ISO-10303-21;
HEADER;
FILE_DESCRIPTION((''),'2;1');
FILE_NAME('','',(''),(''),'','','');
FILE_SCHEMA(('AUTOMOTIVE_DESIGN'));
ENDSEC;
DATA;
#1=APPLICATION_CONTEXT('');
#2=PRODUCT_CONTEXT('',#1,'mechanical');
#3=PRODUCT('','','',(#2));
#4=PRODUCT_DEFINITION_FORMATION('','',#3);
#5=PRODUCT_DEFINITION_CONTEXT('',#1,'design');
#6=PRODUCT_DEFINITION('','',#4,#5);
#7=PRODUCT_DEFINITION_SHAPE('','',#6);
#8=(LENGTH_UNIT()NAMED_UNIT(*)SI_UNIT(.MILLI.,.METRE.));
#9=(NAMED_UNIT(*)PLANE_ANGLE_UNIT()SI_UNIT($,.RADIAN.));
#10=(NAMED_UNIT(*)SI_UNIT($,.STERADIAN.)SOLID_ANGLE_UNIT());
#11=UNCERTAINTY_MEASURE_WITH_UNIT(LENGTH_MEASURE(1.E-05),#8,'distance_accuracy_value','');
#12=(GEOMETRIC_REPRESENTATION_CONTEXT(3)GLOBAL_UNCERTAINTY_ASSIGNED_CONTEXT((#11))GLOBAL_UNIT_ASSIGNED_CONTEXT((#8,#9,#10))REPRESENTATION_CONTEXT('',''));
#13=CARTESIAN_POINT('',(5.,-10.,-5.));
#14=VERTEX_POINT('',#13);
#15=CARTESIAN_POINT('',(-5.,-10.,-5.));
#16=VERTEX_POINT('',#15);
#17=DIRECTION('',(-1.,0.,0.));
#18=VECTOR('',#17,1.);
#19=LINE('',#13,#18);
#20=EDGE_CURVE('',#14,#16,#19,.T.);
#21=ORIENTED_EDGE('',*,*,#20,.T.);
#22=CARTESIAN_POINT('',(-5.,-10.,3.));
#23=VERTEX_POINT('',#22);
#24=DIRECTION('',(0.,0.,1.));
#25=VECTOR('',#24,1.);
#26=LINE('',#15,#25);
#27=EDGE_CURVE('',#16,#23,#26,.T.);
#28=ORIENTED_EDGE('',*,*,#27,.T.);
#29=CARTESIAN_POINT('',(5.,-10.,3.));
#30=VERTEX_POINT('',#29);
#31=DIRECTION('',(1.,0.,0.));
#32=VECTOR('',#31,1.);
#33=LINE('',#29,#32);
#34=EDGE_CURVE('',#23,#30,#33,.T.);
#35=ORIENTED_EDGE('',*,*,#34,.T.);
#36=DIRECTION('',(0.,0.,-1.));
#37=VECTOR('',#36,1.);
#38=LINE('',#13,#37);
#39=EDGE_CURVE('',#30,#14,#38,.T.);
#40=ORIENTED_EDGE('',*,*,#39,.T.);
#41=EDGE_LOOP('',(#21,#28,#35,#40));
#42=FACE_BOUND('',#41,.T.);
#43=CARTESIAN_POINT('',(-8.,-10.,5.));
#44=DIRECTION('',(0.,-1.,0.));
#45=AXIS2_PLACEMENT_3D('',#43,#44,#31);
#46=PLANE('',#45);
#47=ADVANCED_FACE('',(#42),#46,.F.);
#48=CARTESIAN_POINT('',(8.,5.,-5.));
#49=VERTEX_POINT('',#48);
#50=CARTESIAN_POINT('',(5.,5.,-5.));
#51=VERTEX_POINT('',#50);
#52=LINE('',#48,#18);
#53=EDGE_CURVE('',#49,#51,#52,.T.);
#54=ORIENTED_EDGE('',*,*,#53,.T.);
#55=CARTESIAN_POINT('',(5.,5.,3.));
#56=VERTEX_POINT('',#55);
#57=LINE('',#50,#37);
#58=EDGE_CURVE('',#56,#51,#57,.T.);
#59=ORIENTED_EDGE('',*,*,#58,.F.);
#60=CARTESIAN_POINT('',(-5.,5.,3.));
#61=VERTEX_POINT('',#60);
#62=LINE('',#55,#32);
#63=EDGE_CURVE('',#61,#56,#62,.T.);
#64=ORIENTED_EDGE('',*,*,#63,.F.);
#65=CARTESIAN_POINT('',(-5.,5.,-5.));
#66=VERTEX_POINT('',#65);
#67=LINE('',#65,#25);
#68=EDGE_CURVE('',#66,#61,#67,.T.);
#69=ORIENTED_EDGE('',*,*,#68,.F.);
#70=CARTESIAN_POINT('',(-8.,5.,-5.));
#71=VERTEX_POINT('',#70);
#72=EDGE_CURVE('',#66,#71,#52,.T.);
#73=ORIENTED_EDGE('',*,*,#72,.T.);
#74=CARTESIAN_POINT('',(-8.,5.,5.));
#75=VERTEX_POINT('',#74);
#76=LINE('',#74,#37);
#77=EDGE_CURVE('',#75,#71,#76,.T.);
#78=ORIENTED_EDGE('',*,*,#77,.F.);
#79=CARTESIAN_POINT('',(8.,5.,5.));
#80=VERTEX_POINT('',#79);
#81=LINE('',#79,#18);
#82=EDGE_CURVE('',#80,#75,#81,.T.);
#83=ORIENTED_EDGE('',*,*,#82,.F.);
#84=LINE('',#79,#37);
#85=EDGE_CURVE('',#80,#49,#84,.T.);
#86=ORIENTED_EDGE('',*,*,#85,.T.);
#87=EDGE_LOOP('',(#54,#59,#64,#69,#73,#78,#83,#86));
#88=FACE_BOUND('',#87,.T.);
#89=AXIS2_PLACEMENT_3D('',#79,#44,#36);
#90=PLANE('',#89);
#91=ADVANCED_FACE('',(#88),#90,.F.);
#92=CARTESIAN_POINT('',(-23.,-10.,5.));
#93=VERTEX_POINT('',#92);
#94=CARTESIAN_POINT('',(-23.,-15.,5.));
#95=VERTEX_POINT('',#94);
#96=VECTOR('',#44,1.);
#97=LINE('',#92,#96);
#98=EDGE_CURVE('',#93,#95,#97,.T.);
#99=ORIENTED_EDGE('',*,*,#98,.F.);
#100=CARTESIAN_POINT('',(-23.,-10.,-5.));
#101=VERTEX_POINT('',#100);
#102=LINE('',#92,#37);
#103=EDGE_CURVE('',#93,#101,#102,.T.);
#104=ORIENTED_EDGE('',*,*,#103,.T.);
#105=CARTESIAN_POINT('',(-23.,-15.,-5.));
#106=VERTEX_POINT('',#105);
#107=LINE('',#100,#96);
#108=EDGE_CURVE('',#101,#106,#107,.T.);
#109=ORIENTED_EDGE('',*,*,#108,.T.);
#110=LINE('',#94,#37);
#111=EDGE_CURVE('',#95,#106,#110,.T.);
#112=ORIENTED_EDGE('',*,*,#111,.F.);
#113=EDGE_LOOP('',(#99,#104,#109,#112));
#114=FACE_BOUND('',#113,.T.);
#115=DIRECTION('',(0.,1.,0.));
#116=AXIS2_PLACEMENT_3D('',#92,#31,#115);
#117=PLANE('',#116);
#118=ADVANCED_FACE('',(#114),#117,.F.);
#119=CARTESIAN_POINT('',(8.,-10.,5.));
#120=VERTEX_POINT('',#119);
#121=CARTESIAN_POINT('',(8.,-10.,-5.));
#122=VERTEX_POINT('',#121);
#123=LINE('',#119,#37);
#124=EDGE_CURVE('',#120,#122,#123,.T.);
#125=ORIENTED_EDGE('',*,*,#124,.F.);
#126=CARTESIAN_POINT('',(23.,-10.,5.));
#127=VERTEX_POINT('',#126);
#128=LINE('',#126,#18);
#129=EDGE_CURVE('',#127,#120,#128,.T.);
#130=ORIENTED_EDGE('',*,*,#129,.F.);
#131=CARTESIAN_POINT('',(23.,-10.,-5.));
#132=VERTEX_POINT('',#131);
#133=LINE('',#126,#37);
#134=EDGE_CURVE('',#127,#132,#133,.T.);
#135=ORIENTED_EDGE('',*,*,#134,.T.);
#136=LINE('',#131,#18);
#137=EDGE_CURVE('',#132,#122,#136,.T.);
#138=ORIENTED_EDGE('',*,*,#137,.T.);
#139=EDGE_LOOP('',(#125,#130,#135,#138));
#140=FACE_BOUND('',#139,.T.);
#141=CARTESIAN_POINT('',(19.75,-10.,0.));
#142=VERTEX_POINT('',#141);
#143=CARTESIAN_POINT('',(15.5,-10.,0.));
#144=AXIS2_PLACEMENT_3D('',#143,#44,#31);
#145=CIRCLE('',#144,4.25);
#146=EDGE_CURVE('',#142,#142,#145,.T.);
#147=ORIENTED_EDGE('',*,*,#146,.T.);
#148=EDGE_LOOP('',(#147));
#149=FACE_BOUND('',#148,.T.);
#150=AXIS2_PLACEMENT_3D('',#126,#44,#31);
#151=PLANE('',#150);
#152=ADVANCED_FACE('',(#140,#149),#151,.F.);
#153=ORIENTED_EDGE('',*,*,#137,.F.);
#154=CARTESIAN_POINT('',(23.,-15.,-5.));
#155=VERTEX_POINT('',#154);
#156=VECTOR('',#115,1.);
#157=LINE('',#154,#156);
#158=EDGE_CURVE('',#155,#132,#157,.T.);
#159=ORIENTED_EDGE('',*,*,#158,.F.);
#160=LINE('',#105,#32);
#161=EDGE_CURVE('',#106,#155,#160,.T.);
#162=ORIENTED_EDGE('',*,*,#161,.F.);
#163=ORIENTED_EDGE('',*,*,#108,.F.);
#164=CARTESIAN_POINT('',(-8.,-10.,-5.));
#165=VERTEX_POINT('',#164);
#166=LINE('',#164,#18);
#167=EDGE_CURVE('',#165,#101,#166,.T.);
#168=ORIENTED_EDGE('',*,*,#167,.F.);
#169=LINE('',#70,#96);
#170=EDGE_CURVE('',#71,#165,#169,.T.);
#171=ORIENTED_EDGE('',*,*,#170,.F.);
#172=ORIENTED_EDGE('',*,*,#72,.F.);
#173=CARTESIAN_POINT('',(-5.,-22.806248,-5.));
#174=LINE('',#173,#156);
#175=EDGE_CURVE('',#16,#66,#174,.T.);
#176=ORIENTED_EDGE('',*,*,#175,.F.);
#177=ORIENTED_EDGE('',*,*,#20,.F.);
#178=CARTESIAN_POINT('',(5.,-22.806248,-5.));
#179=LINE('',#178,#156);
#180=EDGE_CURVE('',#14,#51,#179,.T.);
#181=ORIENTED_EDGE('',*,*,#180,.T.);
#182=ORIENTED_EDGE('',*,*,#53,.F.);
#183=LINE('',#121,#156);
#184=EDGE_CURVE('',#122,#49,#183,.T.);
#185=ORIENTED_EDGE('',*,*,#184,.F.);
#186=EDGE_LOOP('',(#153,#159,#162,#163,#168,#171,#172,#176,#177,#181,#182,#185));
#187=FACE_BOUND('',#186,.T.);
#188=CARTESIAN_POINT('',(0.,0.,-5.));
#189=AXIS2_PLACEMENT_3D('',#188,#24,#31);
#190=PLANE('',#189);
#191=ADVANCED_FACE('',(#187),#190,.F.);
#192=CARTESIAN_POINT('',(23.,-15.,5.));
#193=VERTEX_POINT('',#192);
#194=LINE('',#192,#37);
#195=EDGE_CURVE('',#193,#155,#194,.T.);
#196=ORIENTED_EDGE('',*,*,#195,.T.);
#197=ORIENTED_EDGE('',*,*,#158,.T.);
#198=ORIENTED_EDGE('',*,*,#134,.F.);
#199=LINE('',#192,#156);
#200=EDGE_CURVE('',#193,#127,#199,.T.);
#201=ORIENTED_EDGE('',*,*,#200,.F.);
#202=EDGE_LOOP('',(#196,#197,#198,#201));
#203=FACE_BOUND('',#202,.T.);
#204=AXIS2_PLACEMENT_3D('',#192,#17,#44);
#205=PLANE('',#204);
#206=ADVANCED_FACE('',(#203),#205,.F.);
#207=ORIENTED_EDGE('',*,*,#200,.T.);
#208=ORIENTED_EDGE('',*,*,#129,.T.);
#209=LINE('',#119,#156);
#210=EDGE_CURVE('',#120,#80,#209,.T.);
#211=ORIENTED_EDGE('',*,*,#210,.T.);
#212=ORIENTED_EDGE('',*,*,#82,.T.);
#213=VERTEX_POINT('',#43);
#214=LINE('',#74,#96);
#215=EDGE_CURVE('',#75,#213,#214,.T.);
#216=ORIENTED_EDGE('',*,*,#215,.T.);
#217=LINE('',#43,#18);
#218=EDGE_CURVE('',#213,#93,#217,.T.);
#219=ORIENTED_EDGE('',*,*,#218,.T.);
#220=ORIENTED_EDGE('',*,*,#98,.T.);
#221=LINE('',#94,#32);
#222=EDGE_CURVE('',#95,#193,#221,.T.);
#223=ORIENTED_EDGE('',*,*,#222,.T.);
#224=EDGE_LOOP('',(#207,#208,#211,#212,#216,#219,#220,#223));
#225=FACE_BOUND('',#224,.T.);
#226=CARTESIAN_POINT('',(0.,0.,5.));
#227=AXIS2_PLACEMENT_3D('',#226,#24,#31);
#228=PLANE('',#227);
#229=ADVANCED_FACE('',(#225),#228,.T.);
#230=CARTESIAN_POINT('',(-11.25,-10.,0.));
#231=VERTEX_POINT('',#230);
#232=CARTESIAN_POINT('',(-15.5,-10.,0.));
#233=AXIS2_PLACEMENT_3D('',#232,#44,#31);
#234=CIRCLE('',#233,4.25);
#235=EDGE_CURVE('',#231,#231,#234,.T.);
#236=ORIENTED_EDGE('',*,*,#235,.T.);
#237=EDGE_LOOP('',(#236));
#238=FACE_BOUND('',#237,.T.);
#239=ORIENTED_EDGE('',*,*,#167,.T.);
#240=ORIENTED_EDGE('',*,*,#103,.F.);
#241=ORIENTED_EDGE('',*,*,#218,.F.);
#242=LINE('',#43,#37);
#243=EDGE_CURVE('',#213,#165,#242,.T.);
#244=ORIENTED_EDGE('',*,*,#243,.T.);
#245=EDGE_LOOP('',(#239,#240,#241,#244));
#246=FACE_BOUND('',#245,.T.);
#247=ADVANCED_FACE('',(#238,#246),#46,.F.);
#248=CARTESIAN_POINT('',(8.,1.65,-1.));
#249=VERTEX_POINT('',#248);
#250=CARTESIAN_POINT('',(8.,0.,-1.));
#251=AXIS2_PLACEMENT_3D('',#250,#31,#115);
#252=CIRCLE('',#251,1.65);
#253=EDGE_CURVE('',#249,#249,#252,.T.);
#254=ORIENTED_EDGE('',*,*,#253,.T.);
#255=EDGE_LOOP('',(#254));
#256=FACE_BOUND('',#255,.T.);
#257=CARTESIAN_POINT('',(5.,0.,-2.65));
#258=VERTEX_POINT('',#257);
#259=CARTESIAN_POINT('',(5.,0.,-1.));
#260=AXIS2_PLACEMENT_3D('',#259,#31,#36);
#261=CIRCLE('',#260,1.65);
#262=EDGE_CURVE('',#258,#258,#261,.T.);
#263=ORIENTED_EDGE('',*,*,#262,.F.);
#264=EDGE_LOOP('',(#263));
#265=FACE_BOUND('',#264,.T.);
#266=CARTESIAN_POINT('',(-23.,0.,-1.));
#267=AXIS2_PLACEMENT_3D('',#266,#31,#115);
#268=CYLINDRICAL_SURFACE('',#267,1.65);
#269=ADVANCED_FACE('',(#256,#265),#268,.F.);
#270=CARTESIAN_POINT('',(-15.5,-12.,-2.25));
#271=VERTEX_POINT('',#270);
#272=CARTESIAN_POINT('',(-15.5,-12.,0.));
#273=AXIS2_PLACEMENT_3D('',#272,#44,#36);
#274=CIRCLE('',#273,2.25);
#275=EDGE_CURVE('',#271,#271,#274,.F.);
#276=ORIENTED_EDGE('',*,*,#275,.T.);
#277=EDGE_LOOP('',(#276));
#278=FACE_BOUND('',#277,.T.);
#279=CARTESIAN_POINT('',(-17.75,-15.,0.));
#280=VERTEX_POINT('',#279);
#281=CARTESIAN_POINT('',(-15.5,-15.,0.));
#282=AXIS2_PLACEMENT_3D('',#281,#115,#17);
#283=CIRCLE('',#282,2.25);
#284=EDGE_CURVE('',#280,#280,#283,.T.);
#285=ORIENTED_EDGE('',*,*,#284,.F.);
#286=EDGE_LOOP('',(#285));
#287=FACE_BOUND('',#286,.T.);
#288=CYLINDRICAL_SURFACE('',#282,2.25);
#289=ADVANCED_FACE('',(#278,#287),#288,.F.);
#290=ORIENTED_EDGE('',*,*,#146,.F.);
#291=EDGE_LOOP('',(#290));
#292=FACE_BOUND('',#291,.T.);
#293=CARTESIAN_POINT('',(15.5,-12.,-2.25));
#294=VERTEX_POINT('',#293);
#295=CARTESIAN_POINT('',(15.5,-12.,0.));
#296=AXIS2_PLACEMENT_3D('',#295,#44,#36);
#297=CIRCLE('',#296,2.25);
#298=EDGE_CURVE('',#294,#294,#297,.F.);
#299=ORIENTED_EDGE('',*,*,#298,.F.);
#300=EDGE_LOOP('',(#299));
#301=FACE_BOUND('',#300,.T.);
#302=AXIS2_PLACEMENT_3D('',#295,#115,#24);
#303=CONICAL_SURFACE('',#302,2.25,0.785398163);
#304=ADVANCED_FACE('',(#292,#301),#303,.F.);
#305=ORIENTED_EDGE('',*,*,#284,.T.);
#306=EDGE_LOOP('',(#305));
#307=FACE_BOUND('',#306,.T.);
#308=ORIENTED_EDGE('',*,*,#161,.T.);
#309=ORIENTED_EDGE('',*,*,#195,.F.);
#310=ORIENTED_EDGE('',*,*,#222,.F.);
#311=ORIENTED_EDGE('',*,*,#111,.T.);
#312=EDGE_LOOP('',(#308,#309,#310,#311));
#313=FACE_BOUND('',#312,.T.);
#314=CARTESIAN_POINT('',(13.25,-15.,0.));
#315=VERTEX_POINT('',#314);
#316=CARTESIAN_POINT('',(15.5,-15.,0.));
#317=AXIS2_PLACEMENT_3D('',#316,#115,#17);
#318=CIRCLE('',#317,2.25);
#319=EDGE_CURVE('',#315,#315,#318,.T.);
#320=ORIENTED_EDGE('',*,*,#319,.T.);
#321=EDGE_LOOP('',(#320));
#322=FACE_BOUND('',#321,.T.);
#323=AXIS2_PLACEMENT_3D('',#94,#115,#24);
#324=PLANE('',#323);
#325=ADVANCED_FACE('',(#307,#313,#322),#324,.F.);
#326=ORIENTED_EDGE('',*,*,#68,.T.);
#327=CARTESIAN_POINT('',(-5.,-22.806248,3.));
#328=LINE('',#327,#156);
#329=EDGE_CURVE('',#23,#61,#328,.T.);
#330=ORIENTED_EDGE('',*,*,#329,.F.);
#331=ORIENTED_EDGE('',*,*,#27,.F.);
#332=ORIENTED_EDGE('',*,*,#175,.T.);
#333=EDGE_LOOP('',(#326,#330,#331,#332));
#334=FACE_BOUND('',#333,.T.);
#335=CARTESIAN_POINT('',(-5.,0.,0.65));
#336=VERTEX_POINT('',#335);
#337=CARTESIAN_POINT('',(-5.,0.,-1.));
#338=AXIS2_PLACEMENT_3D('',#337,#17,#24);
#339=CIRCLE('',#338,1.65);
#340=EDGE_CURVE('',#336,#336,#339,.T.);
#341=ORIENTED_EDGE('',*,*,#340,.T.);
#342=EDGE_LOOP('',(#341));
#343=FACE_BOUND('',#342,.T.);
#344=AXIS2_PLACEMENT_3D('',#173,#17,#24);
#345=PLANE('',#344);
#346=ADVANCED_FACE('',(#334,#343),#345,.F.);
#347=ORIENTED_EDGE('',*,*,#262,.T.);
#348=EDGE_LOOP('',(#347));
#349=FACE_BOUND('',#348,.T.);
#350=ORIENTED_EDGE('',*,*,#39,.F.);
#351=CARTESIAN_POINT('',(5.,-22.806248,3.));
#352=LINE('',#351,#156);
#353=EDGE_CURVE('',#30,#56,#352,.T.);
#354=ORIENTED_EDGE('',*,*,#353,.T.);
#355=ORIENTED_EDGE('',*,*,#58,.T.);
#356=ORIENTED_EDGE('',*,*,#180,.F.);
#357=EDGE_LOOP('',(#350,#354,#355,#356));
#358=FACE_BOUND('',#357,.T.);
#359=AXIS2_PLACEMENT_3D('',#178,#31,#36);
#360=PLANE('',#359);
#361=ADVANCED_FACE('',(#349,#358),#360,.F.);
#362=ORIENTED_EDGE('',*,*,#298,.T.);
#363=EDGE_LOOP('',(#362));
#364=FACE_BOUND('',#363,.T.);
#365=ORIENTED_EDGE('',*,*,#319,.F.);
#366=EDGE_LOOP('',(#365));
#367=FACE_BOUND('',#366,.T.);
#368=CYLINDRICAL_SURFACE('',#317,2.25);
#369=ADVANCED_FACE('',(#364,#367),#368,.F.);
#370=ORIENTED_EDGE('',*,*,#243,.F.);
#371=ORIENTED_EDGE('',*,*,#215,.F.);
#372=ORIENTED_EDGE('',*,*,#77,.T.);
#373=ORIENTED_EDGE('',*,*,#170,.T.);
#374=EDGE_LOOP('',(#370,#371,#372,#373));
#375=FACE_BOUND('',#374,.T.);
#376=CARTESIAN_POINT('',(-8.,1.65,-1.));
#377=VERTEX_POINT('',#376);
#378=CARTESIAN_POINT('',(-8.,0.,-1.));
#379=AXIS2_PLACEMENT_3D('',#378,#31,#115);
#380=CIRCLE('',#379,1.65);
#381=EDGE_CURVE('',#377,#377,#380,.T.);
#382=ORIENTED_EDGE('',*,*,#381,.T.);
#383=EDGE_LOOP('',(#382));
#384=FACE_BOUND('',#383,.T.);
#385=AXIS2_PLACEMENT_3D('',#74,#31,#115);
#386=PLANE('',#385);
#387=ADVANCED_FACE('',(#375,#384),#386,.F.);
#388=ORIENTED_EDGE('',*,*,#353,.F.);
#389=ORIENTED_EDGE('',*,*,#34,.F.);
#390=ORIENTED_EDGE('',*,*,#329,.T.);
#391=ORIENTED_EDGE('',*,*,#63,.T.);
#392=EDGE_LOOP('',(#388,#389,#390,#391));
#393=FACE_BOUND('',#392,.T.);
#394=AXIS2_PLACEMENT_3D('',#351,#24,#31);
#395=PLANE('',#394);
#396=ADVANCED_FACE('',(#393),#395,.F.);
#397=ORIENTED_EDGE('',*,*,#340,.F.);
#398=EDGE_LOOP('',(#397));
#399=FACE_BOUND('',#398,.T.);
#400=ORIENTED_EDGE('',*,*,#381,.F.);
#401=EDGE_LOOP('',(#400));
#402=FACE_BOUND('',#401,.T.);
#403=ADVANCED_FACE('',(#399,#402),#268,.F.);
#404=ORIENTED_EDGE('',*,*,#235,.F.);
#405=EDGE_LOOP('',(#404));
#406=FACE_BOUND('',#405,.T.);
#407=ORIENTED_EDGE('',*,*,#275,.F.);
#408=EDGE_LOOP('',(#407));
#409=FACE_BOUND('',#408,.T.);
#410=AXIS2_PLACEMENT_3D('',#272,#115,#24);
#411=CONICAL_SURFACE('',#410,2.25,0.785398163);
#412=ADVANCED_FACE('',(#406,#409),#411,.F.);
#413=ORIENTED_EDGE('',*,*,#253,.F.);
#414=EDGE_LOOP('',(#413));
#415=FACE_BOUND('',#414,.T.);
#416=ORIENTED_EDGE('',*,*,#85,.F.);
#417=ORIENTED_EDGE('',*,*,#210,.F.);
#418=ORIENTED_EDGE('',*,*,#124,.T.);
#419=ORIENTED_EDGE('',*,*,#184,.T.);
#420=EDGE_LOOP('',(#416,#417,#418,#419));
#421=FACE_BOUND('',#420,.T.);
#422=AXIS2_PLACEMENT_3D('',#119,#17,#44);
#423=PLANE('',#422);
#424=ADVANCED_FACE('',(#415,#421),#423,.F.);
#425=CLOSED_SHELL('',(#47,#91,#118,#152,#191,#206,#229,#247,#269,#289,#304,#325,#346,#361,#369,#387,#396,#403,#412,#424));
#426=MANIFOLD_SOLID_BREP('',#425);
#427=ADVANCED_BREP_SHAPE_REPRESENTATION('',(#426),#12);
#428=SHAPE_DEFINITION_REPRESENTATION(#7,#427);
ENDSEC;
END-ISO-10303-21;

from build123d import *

# Parameters (mm, degrees)
BOSS_EXTRUDE1_DEPTH = 5
SKETCH2_R           = 2.25
CUT_EXTRUDE1_DEPTH  = 28.910571474
CHAMFER1_SIZE       = 2
SKETCH4_W           = 10
SKETCH4_H           = 8
CUT_EXTRUDE3_DEPTH  = 15
SKETCH3_R           = 1.65
CUT_EXTRUDE2_DEPTH  = 35.799425283


with BuildPart() as part:
    # Sketch1 → Boss-Extrude1 (new, symmetric)
    with BuildSketch(Plane.XY):
        Polygon((-23, -15), (23, -15), (23, -10), (8, -10), (8, 5), (-8, 5), (-8, -10), (-23, -10), align=None)
    extrude(amount=BOSS_EXTRUDE1_DEPTH, both=True)

    # Sketch2 → Cut-Extrude1 (cut, through all)
    with BuildSketch(Plane(origin=(0, -10, 0), x_dir=(1, 0, 0), z_dir=(0, 1, 0))):
        with Locations(Location((-15.5, 0, 0), (0, 0, 180))):
            Circle(SKETCH2_R)
        with Locations(Location((15.5, 0, 0), (0, 0, 180))):
            Circle(SKETCH2_R)
    extrude(amount=-CUT_EXTRUDE1_DEPTH, mode=Mode.SUBTRACT)

    # Chamfer1
    chamfer1_edges = [part.edges().sort_by_distance(p)[0] for p in [
        (-13.25, -10, 0),
        (17.75, -10, 0),
    ]]
    chamfer(chamfer1_edges, length=CHAMFER1_SIZE)

    # Sketch4 → Cut-Extrude3 (cut)
    with BuildSketch(Plane(origin=(0, 5, 0), x_dir=(1, 0, 0), z_dir=(0, 1, 0))):
        with Locations((0, 1)):
            Rectangle(SKETCH4_W, SKETCH4_H)
    extrude(amount=-CUT_EXTRUDE3_DEPTH, mode=Mode.SUBTRACT)

    # Sketch3 → Cut-Extrude2 (cut, through all)
    with BuildSketch(Plane(origin=(8, 0, 0), x_dir=(0, 0, -1), z_dir=(1, 0, 0))):
        with Locations(Location((1, 0, 0), (0, 0, 90))):
            Circle(SKETCH3_R)
    extrude(amount=-CUT_EXTRUDE2_DEPTH, mode=Mode.SUBTRACT)


solid = part.part
